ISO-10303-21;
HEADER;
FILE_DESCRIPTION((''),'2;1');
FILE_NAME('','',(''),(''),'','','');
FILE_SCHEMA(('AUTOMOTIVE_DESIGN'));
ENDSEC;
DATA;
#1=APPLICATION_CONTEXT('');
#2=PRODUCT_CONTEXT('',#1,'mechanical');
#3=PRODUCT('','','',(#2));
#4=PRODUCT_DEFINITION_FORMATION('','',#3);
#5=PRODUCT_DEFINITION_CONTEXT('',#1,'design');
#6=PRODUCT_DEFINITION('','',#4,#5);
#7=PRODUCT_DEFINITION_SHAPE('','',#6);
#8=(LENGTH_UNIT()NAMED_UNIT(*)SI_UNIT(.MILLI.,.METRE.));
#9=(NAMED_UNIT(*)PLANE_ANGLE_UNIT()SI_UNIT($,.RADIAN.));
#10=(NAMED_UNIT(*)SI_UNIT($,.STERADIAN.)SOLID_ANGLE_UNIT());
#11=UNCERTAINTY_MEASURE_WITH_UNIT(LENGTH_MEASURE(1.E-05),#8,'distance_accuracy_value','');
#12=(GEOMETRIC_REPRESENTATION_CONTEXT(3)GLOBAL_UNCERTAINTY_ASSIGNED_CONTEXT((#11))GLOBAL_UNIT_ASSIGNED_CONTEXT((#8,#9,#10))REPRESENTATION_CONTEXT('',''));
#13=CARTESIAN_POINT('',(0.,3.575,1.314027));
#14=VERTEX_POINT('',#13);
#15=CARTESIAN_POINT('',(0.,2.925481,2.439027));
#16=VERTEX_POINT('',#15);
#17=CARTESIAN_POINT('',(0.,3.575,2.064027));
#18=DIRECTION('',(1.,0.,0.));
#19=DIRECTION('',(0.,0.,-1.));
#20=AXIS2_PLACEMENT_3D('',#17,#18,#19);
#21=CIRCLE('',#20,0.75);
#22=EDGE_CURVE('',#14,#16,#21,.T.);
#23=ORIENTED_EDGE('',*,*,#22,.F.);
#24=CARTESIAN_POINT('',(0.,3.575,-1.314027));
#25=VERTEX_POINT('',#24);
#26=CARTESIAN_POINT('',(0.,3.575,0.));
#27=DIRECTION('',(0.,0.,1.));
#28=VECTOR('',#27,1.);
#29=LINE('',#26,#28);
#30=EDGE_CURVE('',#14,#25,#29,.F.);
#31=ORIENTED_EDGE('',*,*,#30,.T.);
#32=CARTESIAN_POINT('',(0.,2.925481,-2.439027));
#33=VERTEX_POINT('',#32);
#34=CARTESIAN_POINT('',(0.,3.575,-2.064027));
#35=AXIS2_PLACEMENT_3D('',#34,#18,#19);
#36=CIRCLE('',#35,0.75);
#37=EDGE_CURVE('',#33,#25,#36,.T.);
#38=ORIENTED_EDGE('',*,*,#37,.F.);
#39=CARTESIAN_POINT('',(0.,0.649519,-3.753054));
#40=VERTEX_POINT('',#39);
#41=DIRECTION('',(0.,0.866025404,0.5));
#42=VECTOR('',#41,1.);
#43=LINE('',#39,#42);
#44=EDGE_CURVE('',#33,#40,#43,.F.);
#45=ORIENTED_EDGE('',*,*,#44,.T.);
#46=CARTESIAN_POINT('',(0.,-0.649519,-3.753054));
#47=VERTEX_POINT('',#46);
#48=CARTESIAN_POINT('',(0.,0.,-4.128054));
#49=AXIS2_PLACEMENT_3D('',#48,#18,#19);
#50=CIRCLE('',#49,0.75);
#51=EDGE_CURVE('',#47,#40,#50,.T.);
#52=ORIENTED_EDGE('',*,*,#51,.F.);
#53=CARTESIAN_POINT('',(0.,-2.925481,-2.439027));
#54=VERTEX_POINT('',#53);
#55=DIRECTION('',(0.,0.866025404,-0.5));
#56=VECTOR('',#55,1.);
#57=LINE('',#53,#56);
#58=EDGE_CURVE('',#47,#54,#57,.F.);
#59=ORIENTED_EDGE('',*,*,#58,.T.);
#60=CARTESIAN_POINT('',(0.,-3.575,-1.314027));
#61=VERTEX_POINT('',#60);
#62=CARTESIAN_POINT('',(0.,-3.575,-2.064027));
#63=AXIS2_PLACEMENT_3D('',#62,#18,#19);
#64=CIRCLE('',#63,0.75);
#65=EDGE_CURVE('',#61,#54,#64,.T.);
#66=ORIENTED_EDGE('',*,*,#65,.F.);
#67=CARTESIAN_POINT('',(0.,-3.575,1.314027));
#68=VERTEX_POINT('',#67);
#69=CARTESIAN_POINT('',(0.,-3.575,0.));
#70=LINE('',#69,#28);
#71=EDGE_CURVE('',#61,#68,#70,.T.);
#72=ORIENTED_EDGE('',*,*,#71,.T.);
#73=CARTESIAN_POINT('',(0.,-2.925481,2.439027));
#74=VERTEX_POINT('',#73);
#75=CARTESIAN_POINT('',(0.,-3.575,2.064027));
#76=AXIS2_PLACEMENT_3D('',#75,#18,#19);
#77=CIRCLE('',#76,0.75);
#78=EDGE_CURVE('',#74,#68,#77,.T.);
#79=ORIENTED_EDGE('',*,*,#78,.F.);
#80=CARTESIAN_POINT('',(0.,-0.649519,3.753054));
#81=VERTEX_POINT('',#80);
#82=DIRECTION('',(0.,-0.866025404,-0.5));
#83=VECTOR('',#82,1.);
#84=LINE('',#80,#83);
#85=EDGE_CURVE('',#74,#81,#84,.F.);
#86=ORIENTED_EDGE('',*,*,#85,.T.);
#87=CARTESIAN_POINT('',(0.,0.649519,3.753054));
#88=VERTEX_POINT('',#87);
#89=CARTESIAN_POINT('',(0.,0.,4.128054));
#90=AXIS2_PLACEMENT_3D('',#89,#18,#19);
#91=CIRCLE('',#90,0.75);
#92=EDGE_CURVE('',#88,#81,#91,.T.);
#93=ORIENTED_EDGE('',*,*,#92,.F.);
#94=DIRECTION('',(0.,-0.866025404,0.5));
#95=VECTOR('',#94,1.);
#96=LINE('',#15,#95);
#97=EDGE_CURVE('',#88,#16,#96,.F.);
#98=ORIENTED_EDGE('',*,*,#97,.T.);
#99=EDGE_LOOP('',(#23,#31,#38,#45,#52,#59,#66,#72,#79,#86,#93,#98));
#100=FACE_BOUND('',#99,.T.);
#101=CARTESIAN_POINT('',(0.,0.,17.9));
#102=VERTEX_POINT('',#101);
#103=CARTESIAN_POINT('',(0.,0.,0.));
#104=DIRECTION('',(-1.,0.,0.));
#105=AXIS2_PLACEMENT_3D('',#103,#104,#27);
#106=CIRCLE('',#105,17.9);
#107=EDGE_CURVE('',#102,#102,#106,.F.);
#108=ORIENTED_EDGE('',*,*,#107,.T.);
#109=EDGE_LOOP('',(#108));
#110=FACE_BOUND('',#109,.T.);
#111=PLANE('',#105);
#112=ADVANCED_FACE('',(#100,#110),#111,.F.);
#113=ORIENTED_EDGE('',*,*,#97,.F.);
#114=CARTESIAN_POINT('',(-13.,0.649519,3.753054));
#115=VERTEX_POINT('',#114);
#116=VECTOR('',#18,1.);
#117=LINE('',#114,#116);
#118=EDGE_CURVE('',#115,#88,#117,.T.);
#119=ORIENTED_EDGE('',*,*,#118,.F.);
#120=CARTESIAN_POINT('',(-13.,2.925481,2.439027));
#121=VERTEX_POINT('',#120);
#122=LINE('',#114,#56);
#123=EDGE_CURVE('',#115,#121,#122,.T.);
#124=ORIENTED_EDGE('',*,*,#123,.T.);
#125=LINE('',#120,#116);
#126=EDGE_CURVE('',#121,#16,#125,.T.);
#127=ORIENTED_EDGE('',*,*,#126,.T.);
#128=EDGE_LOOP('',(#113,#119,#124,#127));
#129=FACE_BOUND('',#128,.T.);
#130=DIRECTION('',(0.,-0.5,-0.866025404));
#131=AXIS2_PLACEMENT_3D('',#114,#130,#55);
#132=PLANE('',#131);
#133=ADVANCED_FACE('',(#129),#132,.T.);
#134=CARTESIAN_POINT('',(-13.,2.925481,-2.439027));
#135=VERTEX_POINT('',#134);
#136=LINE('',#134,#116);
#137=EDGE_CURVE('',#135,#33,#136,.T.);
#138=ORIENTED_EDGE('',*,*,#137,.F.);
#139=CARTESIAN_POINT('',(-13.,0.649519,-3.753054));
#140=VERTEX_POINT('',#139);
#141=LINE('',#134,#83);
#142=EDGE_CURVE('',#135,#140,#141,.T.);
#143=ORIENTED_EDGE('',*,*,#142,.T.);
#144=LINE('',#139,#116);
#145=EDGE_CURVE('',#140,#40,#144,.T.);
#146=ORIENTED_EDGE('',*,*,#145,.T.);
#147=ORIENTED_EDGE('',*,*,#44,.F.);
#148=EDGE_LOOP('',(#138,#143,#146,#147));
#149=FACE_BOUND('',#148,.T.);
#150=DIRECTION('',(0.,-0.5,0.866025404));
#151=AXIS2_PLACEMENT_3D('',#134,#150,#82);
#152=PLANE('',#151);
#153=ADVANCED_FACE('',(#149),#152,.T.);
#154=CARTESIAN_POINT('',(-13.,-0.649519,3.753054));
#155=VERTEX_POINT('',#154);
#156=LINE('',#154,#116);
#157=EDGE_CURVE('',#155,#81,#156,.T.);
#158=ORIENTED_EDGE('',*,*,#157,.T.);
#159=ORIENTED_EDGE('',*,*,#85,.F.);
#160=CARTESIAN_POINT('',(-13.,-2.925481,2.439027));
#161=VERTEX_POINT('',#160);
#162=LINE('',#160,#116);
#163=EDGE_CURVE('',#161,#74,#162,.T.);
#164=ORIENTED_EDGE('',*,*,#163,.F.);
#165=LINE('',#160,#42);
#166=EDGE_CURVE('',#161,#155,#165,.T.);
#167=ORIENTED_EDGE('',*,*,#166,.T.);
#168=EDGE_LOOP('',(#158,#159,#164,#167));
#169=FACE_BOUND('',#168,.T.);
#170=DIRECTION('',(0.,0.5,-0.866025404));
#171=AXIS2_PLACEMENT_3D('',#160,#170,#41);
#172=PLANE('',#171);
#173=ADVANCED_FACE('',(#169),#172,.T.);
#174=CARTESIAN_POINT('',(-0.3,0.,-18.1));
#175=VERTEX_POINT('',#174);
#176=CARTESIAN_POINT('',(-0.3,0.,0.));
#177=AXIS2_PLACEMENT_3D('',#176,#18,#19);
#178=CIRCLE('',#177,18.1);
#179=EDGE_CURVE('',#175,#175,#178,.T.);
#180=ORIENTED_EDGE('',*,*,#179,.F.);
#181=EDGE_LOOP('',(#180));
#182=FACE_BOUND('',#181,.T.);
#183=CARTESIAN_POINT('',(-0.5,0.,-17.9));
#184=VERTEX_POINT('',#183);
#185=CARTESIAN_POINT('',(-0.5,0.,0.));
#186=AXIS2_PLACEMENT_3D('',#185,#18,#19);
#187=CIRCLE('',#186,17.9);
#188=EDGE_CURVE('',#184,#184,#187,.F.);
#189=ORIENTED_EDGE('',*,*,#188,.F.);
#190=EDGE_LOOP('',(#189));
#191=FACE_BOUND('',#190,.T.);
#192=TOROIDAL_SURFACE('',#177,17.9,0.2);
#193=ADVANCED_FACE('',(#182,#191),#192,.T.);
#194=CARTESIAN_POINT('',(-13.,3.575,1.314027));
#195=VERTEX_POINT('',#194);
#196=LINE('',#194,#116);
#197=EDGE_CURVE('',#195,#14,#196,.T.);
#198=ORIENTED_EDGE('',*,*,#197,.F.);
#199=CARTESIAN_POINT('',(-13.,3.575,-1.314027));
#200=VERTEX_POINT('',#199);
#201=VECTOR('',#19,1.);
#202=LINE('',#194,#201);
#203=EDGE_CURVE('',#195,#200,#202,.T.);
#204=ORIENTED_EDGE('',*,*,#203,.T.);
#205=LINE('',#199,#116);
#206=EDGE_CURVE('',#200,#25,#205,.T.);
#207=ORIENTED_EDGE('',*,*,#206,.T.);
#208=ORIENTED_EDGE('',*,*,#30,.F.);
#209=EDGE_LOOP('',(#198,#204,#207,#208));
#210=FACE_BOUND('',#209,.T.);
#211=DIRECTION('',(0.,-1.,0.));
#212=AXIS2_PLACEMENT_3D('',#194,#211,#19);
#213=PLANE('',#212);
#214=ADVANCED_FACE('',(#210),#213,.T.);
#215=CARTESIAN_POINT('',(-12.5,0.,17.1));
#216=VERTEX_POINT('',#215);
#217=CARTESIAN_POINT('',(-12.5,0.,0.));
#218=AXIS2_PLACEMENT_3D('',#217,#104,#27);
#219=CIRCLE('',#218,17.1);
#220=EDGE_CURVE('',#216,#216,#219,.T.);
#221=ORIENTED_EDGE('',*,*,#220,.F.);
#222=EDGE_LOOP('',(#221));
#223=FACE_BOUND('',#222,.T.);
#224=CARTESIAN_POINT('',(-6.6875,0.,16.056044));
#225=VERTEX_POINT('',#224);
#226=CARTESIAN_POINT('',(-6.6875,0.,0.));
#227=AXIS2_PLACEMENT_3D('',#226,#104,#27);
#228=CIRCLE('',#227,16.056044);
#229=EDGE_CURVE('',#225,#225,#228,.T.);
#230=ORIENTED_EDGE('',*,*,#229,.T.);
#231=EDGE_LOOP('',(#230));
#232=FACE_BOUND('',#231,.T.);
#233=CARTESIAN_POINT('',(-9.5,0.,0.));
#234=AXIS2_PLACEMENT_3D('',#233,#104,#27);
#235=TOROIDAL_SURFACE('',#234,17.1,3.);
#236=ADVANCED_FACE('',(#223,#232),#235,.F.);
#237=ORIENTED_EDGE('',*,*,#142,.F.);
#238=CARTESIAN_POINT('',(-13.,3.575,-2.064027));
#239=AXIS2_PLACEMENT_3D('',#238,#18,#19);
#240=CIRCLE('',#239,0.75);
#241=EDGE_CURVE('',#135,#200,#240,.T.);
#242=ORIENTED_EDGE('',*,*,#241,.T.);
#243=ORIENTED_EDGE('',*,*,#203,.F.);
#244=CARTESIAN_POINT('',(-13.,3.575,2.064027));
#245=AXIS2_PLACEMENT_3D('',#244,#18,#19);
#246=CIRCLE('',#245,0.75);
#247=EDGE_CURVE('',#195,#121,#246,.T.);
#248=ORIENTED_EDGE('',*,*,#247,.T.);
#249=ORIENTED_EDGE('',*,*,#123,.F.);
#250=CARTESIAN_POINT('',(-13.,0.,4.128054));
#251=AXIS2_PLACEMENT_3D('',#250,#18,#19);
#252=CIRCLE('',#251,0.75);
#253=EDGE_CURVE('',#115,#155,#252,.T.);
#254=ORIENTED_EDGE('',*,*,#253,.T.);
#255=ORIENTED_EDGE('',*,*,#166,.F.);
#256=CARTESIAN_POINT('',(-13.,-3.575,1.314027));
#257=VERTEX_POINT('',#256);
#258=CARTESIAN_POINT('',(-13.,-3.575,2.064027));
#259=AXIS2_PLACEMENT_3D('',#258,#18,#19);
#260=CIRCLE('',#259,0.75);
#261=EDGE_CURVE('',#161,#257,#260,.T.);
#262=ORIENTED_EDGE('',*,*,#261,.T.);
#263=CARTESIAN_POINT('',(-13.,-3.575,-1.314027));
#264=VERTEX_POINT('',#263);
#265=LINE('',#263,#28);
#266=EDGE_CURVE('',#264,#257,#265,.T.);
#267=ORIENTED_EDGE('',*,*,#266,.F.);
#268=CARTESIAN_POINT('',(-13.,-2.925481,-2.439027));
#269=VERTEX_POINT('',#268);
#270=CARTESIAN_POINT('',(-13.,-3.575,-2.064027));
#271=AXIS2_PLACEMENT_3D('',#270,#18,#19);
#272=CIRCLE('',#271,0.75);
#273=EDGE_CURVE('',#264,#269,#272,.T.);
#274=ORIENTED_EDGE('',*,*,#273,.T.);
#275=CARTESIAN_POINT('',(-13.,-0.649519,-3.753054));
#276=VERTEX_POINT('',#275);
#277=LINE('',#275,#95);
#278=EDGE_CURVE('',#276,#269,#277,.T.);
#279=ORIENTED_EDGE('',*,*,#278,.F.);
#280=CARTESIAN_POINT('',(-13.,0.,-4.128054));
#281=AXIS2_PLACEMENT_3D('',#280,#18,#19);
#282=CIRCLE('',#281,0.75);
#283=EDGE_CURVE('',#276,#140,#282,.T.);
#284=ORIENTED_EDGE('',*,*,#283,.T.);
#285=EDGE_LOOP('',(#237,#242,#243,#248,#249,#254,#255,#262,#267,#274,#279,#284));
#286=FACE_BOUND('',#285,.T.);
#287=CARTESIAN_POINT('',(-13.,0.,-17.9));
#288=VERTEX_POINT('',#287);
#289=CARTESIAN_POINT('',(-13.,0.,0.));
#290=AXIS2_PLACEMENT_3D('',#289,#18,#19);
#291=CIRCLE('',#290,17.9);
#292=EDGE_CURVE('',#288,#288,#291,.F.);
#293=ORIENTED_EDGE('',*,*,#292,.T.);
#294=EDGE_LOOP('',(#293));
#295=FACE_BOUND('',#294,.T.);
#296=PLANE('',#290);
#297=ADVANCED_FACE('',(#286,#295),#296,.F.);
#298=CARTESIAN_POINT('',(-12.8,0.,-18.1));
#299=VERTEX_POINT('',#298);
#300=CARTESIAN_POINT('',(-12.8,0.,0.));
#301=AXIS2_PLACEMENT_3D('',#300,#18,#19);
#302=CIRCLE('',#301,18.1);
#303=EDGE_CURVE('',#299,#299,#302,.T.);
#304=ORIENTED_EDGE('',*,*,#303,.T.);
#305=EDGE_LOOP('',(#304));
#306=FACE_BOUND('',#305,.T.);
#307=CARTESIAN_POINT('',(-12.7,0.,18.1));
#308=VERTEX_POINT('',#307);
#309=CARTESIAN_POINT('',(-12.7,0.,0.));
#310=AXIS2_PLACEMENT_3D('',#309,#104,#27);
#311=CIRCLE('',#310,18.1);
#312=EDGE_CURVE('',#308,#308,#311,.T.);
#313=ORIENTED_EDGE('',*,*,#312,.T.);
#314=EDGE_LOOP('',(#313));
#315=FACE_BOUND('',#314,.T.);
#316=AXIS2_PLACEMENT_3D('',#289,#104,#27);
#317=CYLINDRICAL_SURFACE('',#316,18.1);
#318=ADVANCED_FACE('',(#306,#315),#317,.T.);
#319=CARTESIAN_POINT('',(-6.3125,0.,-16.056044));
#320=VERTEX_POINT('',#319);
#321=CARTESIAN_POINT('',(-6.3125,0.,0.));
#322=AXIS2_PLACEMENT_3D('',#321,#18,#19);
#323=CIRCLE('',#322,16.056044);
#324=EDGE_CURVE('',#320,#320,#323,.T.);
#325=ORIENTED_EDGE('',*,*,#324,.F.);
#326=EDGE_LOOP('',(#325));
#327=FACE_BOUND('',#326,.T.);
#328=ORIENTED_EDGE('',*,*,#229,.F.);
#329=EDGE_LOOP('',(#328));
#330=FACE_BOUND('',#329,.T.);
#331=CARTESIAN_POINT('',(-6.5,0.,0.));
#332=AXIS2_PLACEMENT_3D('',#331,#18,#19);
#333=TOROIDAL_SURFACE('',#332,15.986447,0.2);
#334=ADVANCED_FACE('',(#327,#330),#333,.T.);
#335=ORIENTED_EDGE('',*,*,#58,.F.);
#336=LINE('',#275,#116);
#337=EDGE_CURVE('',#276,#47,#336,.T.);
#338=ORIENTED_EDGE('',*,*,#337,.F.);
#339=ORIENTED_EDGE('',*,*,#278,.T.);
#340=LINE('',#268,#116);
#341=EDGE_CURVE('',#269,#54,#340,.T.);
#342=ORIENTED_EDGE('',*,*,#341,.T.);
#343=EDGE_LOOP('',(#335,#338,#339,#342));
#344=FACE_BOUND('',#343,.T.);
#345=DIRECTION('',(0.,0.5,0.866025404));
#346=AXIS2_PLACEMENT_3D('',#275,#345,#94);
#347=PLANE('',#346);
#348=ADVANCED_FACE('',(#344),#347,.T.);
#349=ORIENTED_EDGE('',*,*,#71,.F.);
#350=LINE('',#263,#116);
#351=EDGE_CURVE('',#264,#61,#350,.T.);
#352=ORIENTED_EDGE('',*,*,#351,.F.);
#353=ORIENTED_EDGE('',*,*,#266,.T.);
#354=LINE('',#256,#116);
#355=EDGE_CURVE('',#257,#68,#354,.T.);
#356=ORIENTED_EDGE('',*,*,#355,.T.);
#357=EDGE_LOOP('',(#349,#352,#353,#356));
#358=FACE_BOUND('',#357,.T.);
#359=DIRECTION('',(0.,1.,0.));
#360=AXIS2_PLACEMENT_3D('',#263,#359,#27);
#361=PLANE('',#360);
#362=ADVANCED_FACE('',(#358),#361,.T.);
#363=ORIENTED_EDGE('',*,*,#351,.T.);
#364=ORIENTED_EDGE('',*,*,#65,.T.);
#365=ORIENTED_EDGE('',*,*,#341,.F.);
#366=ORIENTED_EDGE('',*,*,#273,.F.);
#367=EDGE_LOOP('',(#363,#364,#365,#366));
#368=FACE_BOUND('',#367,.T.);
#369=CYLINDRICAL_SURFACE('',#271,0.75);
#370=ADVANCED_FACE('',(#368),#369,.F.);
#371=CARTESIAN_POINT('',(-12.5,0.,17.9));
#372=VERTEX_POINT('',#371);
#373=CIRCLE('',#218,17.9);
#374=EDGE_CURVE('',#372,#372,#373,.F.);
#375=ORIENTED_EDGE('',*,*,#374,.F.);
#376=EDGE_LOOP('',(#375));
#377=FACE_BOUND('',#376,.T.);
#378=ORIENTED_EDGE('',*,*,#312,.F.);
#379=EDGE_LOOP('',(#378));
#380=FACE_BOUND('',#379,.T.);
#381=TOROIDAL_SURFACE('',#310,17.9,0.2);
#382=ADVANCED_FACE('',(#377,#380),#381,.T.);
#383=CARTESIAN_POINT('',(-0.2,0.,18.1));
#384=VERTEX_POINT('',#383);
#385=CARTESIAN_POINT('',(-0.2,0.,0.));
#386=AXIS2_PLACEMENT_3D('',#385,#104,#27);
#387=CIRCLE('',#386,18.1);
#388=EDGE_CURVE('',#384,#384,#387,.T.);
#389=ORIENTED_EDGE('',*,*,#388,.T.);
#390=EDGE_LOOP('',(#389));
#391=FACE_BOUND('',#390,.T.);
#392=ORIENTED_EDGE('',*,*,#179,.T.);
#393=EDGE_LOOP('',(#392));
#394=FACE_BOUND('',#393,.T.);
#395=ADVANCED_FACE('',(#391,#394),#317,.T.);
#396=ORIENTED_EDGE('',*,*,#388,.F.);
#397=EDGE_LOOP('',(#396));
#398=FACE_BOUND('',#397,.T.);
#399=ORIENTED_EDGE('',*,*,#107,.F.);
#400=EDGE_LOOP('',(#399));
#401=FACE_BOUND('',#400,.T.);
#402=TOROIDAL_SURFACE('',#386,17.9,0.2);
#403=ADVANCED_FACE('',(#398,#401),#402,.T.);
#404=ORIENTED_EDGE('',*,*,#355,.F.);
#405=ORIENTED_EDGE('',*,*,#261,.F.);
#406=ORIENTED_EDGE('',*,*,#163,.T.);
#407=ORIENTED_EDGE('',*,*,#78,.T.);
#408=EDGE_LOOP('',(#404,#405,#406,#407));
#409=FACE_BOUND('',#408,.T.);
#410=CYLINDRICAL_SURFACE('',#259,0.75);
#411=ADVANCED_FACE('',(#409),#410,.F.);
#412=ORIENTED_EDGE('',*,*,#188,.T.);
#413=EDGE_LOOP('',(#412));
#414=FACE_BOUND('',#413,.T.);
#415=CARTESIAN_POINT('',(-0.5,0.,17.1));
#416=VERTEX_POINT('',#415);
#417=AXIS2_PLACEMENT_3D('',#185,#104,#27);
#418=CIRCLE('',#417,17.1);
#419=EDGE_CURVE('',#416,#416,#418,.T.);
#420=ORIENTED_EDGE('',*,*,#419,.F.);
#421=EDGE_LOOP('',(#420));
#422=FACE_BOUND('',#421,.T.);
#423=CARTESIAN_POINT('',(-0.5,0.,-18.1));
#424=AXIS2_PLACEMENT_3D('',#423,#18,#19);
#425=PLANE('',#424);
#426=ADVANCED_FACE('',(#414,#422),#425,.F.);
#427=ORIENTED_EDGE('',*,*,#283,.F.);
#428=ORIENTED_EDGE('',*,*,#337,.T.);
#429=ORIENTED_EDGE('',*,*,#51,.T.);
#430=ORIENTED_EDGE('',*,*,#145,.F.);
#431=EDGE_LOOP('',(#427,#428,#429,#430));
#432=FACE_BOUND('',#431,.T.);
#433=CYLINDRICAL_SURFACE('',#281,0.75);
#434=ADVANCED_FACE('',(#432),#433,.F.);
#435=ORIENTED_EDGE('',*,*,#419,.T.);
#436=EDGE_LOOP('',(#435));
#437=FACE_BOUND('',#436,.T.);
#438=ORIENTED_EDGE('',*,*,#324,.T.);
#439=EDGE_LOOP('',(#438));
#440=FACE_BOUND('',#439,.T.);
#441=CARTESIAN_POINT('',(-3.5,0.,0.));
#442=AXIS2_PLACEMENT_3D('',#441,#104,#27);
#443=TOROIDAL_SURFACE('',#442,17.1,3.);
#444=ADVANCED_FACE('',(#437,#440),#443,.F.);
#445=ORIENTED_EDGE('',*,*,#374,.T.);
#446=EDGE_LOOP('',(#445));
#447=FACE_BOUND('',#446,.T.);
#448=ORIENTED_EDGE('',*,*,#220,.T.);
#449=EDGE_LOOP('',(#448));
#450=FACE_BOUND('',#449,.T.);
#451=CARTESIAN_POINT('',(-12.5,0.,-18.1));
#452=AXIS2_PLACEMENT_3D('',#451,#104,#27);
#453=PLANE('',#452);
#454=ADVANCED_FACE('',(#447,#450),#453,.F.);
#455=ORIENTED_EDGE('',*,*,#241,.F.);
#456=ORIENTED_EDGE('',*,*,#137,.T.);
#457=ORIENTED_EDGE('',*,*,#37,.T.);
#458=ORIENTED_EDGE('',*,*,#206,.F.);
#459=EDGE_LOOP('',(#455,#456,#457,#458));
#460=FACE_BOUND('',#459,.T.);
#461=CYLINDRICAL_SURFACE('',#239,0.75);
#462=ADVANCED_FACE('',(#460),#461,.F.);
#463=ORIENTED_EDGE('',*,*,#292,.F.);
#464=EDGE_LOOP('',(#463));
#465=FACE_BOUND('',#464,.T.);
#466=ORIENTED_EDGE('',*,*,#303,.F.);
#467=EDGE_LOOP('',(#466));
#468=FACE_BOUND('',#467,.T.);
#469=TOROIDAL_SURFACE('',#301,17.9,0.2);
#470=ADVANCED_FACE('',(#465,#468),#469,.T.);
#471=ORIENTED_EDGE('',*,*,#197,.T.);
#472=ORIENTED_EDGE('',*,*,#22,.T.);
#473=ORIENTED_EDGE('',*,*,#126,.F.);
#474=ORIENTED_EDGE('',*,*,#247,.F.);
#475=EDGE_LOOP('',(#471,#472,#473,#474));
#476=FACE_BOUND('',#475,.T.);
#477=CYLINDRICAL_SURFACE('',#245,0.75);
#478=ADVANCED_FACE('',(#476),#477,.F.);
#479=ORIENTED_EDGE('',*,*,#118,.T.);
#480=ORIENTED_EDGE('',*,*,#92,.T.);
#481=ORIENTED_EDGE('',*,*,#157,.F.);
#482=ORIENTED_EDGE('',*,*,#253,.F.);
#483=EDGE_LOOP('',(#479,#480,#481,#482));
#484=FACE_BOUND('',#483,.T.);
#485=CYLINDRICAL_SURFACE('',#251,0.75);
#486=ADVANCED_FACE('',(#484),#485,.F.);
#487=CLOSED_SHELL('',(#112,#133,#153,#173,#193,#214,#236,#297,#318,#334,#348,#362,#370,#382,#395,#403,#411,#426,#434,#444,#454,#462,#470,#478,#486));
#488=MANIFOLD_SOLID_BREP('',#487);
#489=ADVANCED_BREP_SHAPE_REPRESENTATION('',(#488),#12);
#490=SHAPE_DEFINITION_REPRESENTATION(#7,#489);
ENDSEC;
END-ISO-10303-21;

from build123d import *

# Parameters (mm, degrees)
CUT_EXTRUDE1_DEPTH      = 29.709231965
CUT_EXTRUDE1_DEPTH_BACK = 29.709231965
FILLET1_R               = 0.2


with BuildPart() as part:
    # Sketch1 → Revolve1 (revolve)
    with BuildSketch(Plane(origin=(0, 0, 0), x_dir=(1, 0, 0), z_dir=(0, 1, 0)), mode=Mode.PRIVATE) as revolve1_sk:
        with BuildLine():
            Line((-13, 0), (0, 0))
            Line((0, 0), (0, 18.1))
            Line((0, 18.1), (-0.5, 18.1))
            Line((-0.5, 18.1), (-0.5, 17.1))
            ThreePointArc((-0.5, 17.1), (-3.5, 14.1), (-6.5, 17.1))
            ThreePointArc((-6.5, 17.1), (-9.5, 14.1), (-12.5, 17.1))
            Line((-12.5, 17.1), (-12.5, 18.1))
            Line((-12.5, 18.1), (-13, 18.1))
            Line((-13, 18.1), (-13, 0))
        make_face()
    revolve(revolve1_sk.sketch.rotate(Axis((-13, 0, 0), (1, 0, 0)), 180), axis=Axis((-13, 0, 0), (1, 0, 0)))

    # Sketch2 → Cut-Extrude1 (cut, two sides: drawn at the far end of the back side and taken through both)
    with BuildSketch(Plane(origin=(0, 0, 0), x_dir=(0, 0, -1), z_dir=(1, 0, 0)).offset(-CUT_EXTRUDE1_DEPTH_BACK)):
        with BuildLine():
            Line((-1.314027212, 3.575), (1.314027212, 3.575))
            ThreePointArc((1.314027212, 3.575), (2.439027212, 4.224519053), (2.439027212, 2.925480947))
            Line((2.439027212, 2.925480947), (3.753054425, 0.649519053))
            ThreePointArc((3.753054425, 0.649519053), (4.878054425, 0), (3.753054425, -0.649519053))
            Line((3.753054425, -0.649519053), (2.439027212, -2.925480947))
            ThreePointArc((2.439027212, -2.925480947), (2.439027212, -4.224519053), (1.314027212, -3.575))
            Line((1.314027212, -3.575), (-1.314027212, -3.575))
            ThreePointArc((-1.314027212, -3.575), (-2.439027212, -4.224519053), (-2.439027212, -2.925480947))
            Line((-2.439027212, -2.925480947), (-3.753054425, -0.649519053))
            ThreePointArc((-3.753054425, -0.649519053), (-4.878054425, 0), (-3.753054425, 0.649519053))
            Line((-3.753054425, 0.649519053), (-2.439027212, 2.925480947))
            ThreePointArc((-2.439027212, 2.925480947), (-2.439027212, 4.224519053), (-1.314027212, 3.575))
        make_face()
    extrude(amount=CUT_EXTRUDE1_DEPTH + CUT_EXTRUDE1_DEPTH_BACK, mode=Mode.SUBTRACT)

    # Fillet1
    fillet1_edges = [part.edges().sort_by_distance(p)[0] for p in [
        (-0.5, 0, -18.1),
        (0, 0, -18.1),
        (-13, 0, -18.1),
        (-12.5, 0, -18.1),
        (-6.5, 0, -17.1),
    ]]
    fillet(fillet1_edges, radius=FILLET1_R)


solid = part.part
